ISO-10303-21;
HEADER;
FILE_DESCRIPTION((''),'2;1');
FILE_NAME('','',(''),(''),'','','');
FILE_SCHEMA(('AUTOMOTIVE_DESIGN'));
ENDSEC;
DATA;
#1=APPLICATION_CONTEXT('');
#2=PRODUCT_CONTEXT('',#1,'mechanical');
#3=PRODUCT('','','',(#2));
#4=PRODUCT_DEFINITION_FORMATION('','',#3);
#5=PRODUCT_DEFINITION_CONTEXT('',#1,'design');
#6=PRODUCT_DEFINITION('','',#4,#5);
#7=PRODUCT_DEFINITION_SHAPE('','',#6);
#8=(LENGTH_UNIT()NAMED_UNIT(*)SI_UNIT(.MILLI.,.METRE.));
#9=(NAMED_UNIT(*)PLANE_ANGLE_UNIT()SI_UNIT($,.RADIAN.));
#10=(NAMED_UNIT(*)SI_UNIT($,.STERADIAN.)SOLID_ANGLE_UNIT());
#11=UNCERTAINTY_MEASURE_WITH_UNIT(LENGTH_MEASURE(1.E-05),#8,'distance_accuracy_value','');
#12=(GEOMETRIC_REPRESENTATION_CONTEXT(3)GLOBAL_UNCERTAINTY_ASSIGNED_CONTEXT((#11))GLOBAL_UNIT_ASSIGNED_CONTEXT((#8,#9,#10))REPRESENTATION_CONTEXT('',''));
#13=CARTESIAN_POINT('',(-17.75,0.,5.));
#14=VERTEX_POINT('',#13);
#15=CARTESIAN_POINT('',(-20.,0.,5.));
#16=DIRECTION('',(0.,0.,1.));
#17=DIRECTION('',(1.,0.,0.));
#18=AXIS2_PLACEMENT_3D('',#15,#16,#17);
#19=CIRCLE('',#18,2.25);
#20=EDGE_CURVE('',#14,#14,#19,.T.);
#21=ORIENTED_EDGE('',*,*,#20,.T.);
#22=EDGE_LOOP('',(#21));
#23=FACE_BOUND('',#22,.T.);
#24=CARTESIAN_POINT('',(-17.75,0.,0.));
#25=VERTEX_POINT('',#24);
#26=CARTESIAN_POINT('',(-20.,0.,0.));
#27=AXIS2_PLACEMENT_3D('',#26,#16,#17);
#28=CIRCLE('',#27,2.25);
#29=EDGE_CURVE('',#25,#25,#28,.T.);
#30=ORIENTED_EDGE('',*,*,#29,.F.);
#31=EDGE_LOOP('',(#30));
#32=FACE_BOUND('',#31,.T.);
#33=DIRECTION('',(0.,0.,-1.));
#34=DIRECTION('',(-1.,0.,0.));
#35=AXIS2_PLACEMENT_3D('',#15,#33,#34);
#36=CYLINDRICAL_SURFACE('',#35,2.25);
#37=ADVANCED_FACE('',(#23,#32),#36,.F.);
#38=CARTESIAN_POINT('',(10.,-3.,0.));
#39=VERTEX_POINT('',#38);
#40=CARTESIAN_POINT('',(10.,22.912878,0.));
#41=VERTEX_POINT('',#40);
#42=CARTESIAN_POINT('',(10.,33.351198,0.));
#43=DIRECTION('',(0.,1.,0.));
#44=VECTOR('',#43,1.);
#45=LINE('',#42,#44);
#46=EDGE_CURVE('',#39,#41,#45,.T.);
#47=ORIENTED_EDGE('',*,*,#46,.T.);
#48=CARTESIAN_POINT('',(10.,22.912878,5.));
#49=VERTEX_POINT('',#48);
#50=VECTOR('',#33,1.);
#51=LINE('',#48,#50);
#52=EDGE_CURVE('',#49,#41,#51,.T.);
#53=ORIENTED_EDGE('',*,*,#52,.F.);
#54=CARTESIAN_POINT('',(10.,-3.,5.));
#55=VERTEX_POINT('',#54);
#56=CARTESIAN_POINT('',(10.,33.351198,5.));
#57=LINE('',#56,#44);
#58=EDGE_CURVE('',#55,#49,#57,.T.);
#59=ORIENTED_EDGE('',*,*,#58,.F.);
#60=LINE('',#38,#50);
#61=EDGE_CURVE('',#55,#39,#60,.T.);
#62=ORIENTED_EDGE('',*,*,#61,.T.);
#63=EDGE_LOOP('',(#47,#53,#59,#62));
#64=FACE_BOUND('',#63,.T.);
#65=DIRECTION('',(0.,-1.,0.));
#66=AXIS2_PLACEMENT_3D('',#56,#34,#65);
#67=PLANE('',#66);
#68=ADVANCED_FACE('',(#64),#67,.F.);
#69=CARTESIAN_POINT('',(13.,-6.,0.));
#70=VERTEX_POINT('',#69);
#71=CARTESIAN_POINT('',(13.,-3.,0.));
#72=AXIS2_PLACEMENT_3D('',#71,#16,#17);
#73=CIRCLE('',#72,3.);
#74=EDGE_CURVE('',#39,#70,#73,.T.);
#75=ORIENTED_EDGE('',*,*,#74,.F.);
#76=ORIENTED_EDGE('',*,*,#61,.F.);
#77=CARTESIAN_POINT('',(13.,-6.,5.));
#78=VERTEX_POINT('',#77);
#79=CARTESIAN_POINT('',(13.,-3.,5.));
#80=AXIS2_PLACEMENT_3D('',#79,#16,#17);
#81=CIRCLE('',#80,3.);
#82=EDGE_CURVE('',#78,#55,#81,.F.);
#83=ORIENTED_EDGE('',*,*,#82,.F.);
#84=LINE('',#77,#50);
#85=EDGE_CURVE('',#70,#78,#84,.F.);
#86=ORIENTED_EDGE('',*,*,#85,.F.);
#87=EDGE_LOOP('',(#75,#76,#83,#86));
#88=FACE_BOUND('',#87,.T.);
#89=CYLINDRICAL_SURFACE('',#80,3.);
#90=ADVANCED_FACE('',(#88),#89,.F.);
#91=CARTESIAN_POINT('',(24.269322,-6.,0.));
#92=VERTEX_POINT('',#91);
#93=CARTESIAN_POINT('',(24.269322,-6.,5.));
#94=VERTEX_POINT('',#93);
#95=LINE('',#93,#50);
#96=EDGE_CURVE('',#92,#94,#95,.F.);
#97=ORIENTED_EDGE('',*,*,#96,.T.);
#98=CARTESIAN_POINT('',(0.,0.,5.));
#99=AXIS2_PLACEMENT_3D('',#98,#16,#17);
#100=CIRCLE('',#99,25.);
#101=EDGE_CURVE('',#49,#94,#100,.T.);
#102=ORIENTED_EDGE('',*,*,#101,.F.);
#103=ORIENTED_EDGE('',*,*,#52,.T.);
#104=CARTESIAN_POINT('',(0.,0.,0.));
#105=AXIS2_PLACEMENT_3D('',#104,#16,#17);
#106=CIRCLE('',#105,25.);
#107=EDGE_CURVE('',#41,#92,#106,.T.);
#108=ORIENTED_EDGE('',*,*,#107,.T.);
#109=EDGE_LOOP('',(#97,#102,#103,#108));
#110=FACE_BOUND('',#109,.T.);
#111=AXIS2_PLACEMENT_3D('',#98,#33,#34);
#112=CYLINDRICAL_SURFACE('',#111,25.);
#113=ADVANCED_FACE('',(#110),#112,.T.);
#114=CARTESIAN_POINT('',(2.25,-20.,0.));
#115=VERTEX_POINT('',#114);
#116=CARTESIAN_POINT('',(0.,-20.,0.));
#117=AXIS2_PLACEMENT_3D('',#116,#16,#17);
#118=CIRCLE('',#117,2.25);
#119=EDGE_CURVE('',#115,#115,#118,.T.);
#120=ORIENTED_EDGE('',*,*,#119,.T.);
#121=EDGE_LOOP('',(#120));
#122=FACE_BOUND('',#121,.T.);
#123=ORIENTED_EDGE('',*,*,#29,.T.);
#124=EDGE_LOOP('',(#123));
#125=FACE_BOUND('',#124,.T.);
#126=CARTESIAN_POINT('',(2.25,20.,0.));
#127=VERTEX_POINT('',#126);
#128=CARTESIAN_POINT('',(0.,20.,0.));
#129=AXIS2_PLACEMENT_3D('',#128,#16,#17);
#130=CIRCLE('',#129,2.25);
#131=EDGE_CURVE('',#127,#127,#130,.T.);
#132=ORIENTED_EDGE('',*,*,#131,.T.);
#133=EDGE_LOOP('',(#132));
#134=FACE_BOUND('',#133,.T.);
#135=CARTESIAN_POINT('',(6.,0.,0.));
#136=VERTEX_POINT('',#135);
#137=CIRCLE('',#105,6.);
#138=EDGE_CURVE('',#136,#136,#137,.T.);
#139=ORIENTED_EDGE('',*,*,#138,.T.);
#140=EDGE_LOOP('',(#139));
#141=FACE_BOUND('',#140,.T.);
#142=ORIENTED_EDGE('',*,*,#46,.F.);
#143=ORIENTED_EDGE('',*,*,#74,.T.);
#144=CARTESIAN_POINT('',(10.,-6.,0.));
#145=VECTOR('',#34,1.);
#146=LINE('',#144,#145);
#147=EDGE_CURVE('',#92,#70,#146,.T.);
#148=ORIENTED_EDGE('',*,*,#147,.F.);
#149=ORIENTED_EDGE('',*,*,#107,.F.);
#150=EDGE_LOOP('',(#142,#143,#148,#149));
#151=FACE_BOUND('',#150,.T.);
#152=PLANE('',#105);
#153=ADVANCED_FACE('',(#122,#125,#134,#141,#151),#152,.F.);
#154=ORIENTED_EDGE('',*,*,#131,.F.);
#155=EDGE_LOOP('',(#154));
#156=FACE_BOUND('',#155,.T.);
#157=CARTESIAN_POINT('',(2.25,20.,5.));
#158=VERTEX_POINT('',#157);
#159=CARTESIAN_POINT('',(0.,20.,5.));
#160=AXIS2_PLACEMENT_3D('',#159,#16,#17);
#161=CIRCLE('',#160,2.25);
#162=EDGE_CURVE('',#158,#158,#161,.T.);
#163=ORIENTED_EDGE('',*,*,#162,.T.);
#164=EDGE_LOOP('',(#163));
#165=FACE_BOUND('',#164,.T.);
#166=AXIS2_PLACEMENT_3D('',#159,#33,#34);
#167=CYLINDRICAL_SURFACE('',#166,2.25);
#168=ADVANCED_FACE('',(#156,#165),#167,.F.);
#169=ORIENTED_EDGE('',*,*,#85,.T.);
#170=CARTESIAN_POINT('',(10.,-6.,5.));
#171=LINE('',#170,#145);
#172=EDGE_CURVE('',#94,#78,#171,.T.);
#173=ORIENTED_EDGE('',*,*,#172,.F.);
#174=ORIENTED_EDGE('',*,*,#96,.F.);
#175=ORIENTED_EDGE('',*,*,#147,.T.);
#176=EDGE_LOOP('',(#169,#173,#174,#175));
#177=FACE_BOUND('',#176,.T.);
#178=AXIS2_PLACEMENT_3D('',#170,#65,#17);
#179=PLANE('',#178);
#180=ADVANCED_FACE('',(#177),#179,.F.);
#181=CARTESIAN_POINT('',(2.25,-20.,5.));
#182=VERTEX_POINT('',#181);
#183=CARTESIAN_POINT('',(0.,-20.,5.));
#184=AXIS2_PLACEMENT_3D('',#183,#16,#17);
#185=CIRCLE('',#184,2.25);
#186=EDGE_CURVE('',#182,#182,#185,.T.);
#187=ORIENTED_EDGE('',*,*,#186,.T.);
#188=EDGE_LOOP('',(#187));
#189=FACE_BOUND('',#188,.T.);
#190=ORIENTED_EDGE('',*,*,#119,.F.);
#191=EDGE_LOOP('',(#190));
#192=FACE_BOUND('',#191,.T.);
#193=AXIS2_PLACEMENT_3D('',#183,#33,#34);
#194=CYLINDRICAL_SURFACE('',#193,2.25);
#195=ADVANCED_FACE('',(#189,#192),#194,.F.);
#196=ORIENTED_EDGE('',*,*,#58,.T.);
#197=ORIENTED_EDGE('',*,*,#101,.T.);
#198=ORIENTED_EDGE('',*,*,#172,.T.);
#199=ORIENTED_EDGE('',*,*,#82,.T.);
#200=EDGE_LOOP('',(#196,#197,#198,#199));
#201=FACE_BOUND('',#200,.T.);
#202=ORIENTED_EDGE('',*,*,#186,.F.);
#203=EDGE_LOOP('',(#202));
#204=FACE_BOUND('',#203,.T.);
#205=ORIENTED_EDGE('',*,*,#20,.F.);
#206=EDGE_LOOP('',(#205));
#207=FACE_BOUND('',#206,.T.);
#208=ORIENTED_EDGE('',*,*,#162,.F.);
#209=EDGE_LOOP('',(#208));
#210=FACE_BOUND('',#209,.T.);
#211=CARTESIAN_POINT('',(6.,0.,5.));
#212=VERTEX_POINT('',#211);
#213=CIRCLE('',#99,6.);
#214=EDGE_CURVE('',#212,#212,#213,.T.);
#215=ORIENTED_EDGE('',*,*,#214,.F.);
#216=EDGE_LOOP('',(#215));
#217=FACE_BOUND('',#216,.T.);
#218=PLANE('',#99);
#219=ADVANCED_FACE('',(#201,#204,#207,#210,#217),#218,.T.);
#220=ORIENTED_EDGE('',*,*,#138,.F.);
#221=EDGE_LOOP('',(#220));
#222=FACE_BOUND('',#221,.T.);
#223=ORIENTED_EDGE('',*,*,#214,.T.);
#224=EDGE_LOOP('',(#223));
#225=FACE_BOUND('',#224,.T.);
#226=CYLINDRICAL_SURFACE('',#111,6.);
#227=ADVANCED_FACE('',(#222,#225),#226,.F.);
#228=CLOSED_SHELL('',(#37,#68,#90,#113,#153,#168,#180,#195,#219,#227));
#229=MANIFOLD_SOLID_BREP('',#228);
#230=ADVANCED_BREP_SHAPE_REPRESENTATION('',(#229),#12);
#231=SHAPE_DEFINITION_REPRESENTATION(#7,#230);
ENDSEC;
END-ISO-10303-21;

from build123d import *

# Parameters (mm, degrees)
SKIZZE1_R                       = 25
SKIZZE1_R_2                     = 6
SKIZZE1_R_3                     = 2.25
AUFSATZ_LINEAR_AUSTRAGEN1_DEPTH = 5
SKIZZE2_W                       = 24.326966906
SKIZZE2_H                       = 39.351197917
SCHNITT_LINEAR_AUSTRAGEN1_DEPTH = 5
VERRUNDUNG1_R                   = 3


with BuildPart() as part:
    # Skizze1 → Aufsatz-Linear austragen1 (new body)
    with BuildSketch(Plane.XY):
        Circle(SKIZZE1_R)
        Circle(SKIZZE1_R_2, mode=Mode.SUBTRACT)
        with Locations((0, 20)):
            Circle(SKIZZE1_R_3, mode=Mode.SUBTRACT)
        with Locations((-20, 0)):
            Circle(SKIZZE1_R_3, mode=Mode.SUBTRACT)
        with Locations((0, -20)):
            Circle(SKIZZE1_R_3, mode=Mode.SUBTRACT)
    extrude(amount=AUFSATZ_LINEAR_AUSTRAGEN1_DEPTH)

    # Skizze2 → Schnitt-Linear austragen1 (cut)
    with BuildSketch(Plane(origin=(0, 0, 0), x_dir=(-1, 0, 0), z_dir=(0, 0, -1))):
        with Locations((-22.163483453, 13.675598959)):
            Rectangle(SKIZZE2_W, SKIZZE2_H)
    extrude(amount=-SCHNITT_LINEAR_AUSTRAGEN1_DEPTH, mode=Mode.SUBTRACT)

    # Verrundung1
    verrundung1_edges = [part.edges().sort_by_distance(p)[0] for p in [
        (10, -6, 2.5),
    ]]
    fillet(verrundung1_edges, radius=VERRUNDUNG1_R)


solid = part.part
